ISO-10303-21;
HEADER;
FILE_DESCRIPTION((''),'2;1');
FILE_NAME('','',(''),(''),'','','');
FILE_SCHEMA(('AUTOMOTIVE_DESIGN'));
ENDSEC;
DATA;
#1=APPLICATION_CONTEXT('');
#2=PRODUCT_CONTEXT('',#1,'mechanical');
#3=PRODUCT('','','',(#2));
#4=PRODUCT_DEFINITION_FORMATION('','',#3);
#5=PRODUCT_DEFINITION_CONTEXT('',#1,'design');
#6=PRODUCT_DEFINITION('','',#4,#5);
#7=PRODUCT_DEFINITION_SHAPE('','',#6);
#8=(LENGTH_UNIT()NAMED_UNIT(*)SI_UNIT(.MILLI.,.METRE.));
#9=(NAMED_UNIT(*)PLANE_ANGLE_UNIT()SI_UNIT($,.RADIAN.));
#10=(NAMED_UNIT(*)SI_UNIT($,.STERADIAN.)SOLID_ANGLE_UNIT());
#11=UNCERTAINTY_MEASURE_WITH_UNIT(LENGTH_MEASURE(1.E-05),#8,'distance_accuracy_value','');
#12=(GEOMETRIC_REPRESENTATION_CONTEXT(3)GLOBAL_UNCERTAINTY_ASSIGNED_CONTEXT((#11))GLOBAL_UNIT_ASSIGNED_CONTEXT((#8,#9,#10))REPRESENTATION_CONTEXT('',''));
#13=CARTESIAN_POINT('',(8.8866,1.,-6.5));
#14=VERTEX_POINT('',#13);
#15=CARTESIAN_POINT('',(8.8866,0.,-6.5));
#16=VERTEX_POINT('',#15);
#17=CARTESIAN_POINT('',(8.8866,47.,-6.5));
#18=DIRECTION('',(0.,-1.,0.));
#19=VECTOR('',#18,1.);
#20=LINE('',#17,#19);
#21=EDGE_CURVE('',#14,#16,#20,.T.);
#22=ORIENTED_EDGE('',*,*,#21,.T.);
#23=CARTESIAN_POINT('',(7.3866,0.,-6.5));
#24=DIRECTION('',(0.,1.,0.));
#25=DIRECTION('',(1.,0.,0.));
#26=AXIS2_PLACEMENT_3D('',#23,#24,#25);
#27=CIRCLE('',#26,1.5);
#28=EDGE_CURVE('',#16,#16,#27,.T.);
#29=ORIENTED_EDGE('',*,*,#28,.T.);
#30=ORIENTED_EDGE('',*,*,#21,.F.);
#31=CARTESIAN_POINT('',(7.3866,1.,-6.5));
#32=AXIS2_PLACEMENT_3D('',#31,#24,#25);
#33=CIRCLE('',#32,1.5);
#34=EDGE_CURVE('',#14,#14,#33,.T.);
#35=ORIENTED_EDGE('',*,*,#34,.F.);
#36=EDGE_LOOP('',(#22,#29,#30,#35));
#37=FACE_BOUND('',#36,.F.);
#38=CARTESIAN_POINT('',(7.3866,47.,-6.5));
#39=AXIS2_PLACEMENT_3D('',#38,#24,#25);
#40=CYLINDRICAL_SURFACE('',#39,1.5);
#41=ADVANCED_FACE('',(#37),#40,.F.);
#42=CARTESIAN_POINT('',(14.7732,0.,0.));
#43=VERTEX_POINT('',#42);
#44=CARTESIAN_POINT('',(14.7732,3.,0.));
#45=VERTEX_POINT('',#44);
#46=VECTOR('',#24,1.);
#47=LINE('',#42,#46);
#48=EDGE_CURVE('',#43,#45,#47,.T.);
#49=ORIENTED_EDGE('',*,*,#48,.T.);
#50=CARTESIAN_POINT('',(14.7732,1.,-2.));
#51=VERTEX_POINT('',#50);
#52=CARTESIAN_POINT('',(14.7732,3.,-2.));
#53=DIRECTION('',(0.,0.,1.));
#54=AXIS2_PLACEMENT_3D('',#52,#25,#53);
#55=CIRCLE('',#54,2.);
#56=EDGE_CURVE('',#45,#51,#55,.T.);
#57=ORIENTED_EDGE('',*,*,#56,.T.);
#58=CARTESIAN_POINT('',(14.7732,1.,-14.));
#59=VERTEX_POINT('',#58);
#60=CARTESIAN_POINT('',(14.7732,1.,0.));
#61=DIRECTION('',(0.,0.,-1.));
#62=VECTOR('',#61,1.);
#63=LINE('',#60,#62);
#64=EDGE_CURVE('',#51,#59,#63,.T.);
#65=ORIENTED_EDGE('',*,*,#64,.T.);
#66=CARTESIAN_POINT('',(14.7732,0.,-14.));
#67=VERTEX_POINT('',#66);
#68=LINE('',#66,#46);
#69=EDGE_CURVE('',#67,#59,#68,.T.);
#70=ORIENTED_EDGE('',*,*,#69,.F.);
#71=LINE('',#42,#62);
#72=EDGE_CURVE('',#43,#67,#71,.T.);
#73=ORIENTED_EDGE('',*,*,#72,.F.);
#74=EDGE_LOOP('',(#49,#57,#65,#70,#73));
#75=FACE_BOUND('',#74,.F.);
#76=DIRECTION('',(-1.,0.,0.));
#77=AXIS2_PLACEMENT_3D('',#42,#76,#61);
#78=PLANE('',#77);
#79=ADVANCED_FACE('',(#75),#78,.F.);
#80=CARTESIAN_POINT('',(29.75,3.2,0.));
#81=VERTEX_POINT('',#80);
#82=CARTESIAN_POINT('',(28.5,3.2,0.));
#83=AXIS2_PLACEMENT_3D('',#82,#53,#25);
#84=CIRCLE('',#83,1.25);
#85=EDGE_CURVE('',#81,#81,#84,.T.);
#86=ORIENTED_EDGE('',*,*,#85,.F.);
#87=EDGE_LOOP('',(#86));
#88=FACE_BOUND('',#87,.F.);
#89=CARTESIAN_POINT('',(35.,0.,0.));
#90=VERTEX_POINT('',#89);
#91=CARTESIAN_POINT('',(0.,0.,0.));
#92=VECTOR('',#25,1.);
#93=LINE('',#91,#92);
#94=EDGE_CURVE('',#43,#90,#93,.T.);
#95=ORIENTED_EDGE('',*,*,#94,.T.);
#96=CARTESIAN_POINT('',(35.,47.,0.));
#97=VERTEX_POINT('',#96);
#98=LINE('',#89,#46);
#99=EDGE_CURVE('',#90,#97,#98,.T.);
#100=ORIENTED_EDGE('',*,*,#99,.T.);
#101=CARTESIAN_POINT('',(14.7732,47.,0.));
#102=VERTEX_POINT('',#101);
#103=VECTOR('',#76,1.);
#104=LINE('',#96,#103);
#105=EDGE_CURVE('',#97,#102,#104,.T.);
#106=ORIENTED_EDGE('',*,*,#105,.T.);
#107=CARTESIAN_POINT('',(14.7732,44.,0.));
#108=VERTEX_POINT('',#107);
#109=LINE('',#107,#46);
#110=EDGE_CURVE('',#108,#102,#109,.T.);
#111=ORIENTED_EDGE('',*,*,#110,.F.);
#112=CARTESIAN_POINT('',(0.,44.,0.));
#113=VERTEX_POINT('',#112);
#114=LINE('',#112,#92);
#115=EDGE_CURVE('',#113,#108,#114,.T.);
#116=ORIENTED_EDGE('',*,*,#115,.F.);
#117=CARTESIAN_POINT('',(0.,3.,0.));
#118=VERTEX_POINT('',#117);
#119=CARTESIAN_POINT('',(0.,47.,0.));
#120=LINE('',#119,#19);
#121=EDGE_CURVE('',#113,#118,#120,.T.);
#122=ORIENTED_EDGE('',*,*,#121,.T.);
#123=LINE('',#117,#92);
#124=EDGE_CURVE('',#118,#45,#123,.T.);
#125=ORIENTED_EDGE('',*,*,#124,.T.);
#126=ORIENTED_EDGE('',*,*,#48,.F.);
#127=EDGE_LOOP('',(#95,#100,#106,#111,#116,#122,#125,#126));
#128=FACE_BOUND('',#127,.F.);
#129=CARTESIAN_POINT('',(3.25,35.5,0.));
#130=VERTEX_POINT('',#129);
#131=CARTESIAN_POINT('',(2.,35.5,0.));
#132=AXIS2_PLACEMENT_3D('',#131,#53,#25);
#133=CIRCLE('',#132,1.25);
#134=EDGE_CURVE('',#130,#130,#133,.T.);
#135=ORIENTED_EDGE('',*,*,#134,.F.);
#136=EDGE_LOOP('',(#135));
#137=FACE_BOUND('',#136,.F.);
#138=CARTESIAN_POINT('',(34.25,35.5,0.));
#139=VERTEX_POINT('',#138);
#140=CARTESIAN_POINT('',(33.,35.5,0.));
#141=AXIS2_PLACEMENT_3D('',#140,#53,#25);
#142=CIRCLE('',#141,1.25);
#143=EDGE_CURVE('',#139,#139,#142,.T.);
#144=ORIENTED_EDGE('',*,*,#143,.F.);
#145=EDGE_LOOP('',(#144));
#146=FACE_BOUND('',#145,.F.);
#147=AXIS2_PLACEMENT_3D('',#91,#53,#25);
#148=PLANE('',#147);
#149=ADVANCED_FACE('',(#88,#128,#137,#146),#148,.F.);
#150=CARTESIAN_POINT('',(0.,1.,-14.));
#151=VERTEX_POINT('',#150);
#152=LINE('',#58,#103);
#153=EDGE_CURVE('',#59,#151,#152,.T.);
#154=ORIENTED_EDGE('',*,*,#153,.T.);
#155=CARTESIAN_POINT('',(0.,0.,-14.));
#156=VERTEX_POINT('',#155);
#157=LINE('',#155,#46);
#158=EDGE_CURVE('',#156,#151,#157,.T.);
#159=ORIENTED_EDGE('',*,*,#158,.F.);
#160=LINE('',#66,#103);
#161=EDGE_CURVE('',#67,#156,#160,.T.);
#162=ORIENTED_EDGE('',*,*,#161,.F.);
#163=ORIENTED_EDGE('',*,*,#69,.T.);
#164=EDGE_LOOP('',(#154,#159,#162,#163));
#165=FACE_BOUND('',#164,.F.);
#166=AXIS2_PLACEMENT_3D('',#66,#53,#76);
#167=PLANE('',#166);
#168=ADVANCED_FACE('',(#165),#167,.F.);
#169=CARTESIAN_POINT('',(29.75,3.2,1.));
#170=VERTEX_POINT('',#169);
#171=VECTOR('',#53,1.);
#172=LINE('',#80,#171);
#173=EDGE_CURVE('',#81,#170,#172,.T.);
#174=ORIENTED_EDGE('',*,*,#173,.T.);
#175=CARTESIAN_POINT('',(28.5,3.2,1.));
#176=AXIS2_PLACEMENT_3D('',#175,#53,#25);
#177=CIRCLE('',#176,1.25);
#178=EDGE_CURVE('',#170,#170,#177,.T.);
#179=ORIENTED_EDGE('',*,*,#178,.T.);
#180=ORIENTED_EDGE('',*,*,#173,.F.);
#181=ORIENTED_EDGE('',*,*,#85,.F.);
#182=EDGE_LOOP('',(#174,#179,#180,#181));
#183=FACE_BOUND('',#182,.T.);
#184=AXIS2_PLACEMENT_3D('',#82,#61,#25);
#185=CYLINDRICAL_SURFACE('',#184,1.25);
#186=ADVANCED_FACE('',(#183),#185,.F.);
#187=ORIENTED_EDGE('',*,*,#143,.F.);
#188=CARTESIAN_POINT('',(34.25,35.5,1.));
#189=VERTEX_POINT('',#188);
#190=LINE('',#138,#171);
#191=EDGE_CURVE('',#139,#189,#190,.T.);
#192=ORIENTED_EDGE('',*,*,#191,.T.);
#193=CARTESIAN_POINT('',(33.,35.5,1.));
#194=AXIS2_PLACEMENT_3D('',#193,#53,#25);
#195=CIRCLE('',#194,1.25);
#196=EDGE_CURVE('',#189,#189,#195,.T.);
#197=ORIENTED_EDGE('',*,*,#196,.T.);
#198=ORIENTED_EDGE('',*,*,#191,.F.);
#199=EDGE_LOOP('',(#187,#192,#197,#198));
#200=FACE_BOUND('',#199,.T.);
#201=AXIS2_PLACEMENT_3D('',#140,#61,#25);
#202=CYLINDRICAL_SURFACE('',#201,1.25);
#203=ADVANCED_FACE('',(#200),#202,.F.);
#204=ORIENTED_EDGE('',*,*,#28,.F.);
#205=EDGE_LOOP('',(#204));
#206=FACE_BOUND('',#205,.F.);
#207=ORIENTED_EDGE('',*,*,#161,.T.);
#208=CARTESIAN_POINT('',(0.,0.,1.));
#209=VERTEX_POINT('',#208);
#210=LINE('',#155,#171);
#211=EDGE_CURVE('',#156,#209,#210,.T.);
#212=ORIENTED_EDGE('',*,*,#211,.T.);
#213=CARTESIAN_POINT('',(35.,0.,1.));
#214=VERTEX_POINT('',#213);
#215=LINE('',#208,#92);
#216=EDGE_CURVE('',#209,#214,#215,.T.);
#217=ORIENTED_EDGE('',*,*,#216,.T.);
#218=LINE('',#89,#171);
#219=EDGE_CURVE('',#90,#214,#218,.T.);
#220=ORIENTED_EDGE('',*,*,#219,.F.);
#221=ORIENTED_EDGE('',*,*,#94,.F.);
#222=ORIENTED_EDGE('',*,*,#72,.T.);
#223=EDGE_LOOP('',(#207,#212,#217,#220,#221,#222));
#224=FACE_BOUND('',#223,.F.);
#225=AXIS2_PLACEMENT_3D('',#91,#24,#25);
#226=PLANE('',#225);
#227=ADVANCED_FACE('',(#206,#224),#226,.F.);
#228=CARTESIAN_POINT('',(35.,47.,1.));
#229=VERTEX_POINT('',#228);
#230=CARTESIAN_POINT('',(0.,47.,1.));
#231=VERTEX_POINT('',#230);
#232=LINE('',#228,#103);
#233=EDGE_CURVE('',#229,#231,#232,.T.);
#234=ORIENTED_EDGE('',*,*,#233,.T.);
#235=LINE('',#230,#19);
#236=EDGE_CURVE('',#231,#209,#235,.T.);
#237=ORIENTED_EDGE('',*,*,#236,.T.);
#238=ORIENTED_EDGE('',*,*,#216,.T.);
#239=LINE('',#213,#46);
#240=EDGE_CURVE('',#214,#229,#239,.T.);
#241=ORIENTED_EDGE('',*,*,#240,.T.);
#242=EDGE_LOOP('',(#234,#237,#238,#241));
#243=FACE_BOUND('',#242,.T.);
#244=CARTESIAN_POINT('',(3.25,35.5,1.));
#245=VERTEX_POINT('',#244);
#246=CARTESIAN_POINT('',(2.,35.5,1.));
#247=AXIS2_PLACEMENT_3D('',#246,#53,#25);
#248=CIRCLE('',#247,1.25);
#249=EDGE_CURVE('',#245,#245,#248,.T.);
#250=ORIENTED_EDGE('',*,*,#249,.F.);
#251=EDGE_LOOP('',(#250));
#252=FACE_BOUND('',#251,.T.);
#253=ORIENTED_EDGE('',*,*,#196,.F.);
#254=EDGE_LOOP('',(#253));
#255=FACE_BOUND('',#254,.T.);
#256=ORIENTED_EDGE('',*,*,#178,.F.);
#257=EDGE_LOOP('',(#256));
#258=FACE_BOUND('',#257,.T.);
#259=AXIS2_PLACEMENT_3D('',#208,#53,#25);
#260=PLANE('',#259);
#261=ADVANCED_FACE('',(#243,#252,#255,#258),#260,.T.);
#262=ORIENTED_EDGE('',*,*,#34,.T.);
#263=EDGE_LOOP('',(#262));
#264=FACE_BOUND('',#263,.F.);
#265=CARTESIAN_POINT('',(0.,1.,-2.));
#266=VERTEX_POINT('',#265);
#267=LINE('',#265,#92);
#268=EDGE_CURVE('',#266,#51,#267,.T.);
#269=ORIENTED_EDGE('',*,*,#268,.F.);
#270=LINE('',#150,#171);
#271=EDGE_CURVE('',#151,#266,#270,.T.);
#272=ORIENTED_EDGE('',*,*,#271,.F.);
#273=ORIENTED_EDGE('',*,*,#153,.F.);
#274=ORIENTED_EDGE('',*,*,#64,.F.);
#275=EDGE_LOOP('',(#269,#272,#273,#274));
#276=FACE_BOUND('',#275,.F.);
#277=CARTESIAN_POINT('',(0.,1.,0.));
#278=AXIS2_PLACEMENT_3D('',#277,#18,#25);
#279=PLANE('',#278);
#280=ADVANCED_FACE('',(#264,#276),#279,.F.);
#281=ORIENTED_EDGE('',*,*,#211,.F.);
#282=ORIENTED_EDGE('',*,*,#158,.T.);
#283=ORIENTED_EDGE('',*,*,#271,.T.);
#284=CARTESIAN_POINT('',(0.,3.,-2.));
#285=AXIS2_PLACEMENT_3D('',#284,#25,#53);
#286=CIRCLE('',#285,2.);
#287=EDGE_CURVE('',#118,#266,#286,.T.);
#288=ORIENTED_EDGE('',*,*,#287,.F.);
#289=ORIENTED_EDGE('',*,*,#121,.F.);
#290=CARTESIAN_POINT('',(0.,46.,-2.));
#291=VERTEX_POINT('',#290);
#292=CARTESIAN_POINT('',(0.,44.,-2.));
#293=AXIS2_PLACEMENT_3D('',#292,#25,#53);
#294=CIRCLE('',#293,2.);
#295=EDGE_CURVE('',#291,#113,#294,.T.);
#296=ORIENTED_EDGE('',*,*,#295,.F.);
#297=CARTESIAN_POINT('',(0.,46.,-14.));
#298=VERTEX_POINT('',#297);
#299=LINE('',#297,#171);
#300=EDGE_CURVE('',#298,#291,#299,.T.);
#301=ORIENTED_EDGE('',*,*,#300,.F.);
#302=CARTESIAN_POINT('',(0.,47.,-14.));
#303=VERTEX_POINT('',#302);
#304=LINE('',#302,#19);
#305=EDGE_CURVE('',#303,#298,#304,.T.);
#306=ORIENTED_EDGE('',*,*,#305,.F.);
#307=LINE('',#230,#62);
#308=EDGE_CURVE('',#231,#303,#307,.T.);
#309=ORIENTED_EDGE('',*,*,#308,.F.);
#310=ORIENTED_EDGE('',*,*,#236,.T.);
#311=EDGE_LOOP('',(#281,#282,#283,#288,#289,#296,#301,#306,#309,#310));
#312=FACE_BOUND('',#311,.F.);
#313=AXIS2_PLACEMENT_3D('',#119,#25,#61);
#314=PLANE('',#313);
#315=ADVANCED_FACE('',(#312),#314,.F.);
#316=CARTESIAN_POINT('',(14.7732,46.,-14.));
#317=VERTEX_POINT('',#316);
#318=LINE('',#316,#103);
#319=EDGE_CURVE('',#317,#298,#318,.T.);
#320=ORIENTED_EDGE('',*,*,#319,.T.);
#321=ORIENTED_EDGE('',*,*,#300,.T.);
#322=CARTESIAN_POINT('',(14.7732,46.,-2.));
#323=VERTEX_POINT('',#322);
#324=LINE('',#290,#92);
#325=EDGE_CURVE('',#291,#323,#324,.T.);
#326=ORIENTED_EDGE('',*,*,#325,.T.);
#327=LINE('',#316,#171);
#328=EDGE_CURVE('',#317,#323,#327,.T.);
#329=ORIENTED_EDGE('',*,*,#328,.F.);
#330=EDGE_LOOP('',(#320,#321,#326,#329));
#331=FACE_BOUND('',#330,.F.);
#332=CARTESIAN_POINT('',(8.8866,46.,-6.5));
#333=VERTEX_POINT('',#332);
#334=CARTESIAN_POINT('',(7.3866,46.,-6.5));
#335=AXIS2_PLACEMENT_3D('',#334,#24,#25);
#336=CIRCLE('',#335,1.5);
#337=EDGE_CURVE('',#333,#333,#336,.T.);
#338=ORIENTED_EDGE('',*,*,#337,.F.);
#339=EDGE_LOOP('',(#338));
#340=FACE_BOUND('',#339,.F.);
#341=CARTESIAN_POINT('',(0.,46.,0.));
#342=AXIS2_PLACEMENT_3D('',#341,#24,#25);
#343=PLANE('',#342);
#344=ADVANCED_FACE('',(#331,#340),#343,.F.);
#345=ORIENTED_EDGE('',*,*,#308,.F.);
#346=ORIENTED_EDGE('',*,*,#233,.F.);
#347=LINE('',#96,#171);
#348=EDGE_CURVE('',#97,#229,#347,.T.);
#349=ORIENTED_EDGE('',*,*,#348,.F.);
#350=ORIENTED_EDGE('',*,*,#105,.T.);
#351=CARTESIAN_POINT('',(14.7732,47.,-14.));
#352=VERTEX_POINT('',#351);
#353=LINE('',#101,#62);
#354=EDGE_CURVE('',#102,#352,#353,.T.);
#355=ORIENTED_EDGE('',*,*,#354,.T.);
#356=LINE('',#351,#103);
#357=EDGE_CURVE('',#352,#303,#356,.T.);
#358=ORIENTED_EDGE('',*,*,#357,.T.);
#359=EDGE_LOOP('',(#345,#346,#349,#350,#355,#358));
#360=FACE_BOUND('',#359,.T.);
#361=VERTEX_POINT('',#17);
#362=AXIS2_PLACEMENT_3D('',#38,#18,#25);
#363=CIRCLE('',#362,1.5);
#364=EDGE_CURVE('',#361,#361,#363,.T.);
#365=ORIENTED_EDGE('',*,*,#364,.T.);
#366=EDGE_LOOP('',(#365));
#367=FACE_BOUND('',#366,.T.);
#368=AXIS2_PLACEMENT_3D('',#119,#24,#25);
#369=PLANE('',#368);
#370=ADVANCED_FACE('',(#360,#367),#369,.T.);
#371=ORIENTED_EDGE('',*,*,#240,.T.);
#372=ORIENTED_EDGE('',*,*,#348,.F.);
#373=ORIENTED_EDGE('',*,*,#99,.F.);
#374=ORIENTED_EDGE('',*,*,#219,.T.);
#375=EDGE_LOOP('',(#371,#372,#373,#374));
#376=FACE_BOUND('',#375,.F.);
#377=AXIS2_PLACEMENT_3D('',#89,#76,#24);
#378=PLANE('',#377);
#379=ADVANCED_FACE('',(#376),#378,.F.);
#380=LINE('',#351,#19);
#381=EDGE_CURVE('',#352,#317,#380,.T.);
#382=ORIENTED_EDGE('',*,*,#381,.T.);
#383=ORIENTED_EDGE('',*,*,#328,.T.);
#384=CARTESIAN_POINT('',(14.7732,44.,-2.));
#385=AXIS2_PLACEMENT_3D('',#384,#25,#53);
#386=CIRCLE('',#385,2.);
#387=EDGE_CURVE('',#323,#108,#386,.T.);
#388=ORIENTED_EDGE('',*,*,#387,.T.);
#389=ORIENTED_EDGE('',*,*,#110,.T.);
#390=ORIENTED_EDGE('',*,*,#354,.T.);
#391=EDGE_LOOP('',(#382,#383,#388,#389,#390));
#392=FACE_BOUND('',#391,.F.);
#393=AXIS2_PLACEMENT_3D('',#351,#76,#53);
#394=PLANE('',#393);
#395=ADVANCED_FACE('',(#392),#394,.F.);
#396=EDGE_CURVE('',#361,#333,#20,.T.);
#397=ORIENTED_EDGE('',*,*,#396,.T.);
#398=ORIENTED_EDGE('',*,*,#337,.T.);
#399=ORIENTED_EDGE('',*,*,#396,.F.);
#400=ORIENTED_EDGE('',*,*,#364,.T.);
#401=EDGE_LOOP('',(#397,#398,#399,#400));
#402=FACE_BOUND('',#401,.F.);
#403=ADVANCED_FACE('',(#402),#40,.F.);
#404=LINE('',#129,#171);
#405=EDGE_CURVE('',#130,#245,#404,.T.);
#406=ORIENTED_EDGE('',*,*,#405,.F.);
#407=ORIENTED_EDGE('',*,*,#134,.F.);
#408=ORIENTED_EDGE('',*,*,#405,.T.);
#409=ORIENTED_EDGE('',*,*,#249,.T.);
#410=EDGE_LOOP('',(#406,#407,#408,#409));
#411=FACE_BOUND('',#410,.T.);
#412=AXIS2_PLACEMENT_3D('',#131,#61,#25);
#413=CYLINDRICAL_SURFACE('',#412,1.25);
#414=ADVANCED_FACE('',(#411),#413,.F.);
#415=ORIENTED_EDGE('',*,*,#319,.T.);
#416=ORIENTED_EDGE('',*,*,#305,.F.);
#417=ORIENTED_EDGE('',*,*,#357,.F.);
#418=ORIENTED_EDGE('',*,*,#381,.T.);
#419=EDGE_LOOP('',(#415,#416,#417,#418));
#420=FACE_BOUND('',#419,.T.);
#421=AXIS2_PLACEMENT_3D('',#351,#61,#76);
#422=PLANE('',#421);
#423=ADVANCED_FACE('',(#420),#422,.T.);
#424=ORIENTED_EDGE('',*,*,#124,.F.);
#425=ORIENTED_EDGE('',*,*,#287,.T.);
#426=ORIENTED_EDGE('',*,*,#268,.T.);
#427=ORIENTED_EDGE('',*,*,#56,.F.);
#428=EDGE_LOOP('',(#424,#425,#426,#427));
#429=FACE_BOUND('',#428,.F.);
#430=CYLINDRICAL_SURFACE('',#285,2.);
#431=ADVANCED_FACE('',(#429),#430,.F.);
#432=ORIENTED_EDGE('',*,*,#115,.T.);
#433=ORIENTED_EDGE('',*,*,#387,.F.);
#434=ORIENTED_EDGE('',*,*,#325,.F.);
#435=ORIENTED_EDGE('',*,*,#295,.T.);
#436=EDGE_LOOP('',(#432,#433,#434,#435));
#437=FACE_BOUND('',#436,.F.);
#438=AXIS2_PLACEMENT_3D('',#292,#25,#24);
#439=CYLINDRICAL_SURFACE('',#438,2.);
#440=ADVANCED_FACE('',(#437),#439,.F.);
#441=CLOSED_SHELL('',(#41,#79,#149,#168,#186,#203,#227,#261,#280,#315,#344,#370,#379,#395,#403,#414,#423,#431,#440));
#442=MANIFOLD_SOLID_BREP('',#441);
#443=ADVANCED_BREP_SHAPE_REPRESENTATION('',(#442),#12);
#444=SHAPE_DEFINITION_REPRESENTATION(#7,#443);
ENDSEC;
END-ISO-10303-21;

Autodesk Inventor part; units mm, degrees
ref_plane "YZ Plane" through (0, 0, 0) normal (1, 0, 0) x (0, 1, 0)
ref_plane "XZ Plane" through (0, 0, 0) normal (0, 1, 0) x (-1, 0, 0)
ref_plane "XY Plane" through (0, 0, 0) normal (0, 0, 1) x (1, 0, 0)
sketch "Sketch12" plane through (0, 0, 0) normal (0, 0, 1) x (1, 0, 0)
  line L0 (0, 0) -> (35, 0)
  line L1 (35, 0) -> (35, 47)
  line L2 (35, 47) -> (0, 47)
  line L3 (0, 47) -> (0, 0)
  line L4 (0, 47) -> (2, 47) construction
  line L5 (2, 47) -> (2, 35.5) construction
  line L6 (35, 47) -> (33, 47) construction
  line L7 (33, 47) -> (33, 35.5) construction
  circle A0 centre (33, 35.5) radius 1.25
  circle A1 centre (2, 35.5) radius 1.25
  line L8 (0, 0) -> (6.5, 0) construction
  line L9 (35, 0) -> (28.5, 0) construction
  line L10 (6.5, 0) -> (6.5, 3.2) construction
  line L11 (28.5, 0) -> (28.5, 3.2) construction
  circle A2 centre (28.5, 3.2) radius 1.25
  dimension "d49" = 35
  dimension "d50" = 47
  dimension "d97" = 2
  dimension "d98" = 11.5
  dimension "d99" = 2
  dimension "d100" = 2.5
  dimension "d101" = 2.5
  dimension "d102" = 11.5
  dimension "d104" = 6.5
  dimension "d106" = 3.2
  dimension "d108" = 2.5
extrude "Extrusión8" add sketch "Sketch12" along normal blind 1
sketch "Sketch25" plane through (0, 47, 0) normal (0, 1, 0) x (1, 0, 0)
  point P0 (0, 0)
sketch "Sketch27" plane through (0, 0, 0) normal (0, -1, 0) x (1, 0, 0)
  line L0 (0, 0) -> (14.7732, 0)
  line L1 (14.7732, 0) -> (14.7732, -14)
  line L2 (14.7732, -14) -> (0, -14)
  line L3 (0, -14) -> (0, 0)
  dimension "d125" = 14
extrude "Extrusion11" add sketch "Sketch27" against normal blind 1
fillet "Empalme1" radius 2 1 edges at (7.3866, 1, 0)
sketch "Boceto29" plane through (0, 47, 0) normal (0, 1, 0) x (1, 0, 0)
  line L0 (14.7732, 0) -> (14.7732, 2) projected
  line L1 (0, 0) -> (14.7732, 0) projected
  line L2 (14.7732, 0) -> (0, 0)
  line L3 (0, 14) -> (0, 2) projected
  line L4 (0, 0) -> (0, 14)
  line L5 (14.7732, 14) -> (0, 14) projected
  line L6 (0, 14) -> (14.7732, 14)
  line L7 (14.7732, 14) -> (14.7732, 0)
  point P0 (0, 2)
extrude "Extrusión12" add sketch "Boceto29" against normal blind 1
fillet "Empalme2" radius 2 1 edges at (7.3866, 46, 0)
sketch "Boceto30" plane through (0, 47, 1) normal (0, 1, 0) x (1, 0, 0)
  line L0 (0, 15) -> (0, 0) projected
  line L1 (0, 7.5) -> (14.7732, 7.5)
  line L2 (14.7732, 15) -> (14.7732, 3) projected
  line L3 (7.3866, 7.5) -> (7.3866, 0)
  line L4 (35, 0) -> (0, 0) projected
  circle A0 centre (7.3866, 7.5) radius 1.5
  point P0 (0, 1)
  dimension "d126" = 3
extrude "Extrusión13" cut sketch "Boceto30" along normal through all both and the other way through all contours A0 L1 | L1 L3 A0 | L1 A0 L3
equation "\"BendRadius\" = Thickness"
equation "\"BendReliefWidth\" = Thickness"
equation "\"BendReliefDepth\" = 0.5 * Thickness"
equation "\"CornerReliefSize\" = 4 * Thickness"
equation "\"MinimumRemnant\" = 2 * Thickness"
equation "\"TransitionRadius\" = BendRadius"
equation "\"JacobiRadiusSize\" = BendRadius"
equation "\"GapSize\" = Thickness"
equation "\"Thickness\" = 1"
properties part number "Suportmotor"
